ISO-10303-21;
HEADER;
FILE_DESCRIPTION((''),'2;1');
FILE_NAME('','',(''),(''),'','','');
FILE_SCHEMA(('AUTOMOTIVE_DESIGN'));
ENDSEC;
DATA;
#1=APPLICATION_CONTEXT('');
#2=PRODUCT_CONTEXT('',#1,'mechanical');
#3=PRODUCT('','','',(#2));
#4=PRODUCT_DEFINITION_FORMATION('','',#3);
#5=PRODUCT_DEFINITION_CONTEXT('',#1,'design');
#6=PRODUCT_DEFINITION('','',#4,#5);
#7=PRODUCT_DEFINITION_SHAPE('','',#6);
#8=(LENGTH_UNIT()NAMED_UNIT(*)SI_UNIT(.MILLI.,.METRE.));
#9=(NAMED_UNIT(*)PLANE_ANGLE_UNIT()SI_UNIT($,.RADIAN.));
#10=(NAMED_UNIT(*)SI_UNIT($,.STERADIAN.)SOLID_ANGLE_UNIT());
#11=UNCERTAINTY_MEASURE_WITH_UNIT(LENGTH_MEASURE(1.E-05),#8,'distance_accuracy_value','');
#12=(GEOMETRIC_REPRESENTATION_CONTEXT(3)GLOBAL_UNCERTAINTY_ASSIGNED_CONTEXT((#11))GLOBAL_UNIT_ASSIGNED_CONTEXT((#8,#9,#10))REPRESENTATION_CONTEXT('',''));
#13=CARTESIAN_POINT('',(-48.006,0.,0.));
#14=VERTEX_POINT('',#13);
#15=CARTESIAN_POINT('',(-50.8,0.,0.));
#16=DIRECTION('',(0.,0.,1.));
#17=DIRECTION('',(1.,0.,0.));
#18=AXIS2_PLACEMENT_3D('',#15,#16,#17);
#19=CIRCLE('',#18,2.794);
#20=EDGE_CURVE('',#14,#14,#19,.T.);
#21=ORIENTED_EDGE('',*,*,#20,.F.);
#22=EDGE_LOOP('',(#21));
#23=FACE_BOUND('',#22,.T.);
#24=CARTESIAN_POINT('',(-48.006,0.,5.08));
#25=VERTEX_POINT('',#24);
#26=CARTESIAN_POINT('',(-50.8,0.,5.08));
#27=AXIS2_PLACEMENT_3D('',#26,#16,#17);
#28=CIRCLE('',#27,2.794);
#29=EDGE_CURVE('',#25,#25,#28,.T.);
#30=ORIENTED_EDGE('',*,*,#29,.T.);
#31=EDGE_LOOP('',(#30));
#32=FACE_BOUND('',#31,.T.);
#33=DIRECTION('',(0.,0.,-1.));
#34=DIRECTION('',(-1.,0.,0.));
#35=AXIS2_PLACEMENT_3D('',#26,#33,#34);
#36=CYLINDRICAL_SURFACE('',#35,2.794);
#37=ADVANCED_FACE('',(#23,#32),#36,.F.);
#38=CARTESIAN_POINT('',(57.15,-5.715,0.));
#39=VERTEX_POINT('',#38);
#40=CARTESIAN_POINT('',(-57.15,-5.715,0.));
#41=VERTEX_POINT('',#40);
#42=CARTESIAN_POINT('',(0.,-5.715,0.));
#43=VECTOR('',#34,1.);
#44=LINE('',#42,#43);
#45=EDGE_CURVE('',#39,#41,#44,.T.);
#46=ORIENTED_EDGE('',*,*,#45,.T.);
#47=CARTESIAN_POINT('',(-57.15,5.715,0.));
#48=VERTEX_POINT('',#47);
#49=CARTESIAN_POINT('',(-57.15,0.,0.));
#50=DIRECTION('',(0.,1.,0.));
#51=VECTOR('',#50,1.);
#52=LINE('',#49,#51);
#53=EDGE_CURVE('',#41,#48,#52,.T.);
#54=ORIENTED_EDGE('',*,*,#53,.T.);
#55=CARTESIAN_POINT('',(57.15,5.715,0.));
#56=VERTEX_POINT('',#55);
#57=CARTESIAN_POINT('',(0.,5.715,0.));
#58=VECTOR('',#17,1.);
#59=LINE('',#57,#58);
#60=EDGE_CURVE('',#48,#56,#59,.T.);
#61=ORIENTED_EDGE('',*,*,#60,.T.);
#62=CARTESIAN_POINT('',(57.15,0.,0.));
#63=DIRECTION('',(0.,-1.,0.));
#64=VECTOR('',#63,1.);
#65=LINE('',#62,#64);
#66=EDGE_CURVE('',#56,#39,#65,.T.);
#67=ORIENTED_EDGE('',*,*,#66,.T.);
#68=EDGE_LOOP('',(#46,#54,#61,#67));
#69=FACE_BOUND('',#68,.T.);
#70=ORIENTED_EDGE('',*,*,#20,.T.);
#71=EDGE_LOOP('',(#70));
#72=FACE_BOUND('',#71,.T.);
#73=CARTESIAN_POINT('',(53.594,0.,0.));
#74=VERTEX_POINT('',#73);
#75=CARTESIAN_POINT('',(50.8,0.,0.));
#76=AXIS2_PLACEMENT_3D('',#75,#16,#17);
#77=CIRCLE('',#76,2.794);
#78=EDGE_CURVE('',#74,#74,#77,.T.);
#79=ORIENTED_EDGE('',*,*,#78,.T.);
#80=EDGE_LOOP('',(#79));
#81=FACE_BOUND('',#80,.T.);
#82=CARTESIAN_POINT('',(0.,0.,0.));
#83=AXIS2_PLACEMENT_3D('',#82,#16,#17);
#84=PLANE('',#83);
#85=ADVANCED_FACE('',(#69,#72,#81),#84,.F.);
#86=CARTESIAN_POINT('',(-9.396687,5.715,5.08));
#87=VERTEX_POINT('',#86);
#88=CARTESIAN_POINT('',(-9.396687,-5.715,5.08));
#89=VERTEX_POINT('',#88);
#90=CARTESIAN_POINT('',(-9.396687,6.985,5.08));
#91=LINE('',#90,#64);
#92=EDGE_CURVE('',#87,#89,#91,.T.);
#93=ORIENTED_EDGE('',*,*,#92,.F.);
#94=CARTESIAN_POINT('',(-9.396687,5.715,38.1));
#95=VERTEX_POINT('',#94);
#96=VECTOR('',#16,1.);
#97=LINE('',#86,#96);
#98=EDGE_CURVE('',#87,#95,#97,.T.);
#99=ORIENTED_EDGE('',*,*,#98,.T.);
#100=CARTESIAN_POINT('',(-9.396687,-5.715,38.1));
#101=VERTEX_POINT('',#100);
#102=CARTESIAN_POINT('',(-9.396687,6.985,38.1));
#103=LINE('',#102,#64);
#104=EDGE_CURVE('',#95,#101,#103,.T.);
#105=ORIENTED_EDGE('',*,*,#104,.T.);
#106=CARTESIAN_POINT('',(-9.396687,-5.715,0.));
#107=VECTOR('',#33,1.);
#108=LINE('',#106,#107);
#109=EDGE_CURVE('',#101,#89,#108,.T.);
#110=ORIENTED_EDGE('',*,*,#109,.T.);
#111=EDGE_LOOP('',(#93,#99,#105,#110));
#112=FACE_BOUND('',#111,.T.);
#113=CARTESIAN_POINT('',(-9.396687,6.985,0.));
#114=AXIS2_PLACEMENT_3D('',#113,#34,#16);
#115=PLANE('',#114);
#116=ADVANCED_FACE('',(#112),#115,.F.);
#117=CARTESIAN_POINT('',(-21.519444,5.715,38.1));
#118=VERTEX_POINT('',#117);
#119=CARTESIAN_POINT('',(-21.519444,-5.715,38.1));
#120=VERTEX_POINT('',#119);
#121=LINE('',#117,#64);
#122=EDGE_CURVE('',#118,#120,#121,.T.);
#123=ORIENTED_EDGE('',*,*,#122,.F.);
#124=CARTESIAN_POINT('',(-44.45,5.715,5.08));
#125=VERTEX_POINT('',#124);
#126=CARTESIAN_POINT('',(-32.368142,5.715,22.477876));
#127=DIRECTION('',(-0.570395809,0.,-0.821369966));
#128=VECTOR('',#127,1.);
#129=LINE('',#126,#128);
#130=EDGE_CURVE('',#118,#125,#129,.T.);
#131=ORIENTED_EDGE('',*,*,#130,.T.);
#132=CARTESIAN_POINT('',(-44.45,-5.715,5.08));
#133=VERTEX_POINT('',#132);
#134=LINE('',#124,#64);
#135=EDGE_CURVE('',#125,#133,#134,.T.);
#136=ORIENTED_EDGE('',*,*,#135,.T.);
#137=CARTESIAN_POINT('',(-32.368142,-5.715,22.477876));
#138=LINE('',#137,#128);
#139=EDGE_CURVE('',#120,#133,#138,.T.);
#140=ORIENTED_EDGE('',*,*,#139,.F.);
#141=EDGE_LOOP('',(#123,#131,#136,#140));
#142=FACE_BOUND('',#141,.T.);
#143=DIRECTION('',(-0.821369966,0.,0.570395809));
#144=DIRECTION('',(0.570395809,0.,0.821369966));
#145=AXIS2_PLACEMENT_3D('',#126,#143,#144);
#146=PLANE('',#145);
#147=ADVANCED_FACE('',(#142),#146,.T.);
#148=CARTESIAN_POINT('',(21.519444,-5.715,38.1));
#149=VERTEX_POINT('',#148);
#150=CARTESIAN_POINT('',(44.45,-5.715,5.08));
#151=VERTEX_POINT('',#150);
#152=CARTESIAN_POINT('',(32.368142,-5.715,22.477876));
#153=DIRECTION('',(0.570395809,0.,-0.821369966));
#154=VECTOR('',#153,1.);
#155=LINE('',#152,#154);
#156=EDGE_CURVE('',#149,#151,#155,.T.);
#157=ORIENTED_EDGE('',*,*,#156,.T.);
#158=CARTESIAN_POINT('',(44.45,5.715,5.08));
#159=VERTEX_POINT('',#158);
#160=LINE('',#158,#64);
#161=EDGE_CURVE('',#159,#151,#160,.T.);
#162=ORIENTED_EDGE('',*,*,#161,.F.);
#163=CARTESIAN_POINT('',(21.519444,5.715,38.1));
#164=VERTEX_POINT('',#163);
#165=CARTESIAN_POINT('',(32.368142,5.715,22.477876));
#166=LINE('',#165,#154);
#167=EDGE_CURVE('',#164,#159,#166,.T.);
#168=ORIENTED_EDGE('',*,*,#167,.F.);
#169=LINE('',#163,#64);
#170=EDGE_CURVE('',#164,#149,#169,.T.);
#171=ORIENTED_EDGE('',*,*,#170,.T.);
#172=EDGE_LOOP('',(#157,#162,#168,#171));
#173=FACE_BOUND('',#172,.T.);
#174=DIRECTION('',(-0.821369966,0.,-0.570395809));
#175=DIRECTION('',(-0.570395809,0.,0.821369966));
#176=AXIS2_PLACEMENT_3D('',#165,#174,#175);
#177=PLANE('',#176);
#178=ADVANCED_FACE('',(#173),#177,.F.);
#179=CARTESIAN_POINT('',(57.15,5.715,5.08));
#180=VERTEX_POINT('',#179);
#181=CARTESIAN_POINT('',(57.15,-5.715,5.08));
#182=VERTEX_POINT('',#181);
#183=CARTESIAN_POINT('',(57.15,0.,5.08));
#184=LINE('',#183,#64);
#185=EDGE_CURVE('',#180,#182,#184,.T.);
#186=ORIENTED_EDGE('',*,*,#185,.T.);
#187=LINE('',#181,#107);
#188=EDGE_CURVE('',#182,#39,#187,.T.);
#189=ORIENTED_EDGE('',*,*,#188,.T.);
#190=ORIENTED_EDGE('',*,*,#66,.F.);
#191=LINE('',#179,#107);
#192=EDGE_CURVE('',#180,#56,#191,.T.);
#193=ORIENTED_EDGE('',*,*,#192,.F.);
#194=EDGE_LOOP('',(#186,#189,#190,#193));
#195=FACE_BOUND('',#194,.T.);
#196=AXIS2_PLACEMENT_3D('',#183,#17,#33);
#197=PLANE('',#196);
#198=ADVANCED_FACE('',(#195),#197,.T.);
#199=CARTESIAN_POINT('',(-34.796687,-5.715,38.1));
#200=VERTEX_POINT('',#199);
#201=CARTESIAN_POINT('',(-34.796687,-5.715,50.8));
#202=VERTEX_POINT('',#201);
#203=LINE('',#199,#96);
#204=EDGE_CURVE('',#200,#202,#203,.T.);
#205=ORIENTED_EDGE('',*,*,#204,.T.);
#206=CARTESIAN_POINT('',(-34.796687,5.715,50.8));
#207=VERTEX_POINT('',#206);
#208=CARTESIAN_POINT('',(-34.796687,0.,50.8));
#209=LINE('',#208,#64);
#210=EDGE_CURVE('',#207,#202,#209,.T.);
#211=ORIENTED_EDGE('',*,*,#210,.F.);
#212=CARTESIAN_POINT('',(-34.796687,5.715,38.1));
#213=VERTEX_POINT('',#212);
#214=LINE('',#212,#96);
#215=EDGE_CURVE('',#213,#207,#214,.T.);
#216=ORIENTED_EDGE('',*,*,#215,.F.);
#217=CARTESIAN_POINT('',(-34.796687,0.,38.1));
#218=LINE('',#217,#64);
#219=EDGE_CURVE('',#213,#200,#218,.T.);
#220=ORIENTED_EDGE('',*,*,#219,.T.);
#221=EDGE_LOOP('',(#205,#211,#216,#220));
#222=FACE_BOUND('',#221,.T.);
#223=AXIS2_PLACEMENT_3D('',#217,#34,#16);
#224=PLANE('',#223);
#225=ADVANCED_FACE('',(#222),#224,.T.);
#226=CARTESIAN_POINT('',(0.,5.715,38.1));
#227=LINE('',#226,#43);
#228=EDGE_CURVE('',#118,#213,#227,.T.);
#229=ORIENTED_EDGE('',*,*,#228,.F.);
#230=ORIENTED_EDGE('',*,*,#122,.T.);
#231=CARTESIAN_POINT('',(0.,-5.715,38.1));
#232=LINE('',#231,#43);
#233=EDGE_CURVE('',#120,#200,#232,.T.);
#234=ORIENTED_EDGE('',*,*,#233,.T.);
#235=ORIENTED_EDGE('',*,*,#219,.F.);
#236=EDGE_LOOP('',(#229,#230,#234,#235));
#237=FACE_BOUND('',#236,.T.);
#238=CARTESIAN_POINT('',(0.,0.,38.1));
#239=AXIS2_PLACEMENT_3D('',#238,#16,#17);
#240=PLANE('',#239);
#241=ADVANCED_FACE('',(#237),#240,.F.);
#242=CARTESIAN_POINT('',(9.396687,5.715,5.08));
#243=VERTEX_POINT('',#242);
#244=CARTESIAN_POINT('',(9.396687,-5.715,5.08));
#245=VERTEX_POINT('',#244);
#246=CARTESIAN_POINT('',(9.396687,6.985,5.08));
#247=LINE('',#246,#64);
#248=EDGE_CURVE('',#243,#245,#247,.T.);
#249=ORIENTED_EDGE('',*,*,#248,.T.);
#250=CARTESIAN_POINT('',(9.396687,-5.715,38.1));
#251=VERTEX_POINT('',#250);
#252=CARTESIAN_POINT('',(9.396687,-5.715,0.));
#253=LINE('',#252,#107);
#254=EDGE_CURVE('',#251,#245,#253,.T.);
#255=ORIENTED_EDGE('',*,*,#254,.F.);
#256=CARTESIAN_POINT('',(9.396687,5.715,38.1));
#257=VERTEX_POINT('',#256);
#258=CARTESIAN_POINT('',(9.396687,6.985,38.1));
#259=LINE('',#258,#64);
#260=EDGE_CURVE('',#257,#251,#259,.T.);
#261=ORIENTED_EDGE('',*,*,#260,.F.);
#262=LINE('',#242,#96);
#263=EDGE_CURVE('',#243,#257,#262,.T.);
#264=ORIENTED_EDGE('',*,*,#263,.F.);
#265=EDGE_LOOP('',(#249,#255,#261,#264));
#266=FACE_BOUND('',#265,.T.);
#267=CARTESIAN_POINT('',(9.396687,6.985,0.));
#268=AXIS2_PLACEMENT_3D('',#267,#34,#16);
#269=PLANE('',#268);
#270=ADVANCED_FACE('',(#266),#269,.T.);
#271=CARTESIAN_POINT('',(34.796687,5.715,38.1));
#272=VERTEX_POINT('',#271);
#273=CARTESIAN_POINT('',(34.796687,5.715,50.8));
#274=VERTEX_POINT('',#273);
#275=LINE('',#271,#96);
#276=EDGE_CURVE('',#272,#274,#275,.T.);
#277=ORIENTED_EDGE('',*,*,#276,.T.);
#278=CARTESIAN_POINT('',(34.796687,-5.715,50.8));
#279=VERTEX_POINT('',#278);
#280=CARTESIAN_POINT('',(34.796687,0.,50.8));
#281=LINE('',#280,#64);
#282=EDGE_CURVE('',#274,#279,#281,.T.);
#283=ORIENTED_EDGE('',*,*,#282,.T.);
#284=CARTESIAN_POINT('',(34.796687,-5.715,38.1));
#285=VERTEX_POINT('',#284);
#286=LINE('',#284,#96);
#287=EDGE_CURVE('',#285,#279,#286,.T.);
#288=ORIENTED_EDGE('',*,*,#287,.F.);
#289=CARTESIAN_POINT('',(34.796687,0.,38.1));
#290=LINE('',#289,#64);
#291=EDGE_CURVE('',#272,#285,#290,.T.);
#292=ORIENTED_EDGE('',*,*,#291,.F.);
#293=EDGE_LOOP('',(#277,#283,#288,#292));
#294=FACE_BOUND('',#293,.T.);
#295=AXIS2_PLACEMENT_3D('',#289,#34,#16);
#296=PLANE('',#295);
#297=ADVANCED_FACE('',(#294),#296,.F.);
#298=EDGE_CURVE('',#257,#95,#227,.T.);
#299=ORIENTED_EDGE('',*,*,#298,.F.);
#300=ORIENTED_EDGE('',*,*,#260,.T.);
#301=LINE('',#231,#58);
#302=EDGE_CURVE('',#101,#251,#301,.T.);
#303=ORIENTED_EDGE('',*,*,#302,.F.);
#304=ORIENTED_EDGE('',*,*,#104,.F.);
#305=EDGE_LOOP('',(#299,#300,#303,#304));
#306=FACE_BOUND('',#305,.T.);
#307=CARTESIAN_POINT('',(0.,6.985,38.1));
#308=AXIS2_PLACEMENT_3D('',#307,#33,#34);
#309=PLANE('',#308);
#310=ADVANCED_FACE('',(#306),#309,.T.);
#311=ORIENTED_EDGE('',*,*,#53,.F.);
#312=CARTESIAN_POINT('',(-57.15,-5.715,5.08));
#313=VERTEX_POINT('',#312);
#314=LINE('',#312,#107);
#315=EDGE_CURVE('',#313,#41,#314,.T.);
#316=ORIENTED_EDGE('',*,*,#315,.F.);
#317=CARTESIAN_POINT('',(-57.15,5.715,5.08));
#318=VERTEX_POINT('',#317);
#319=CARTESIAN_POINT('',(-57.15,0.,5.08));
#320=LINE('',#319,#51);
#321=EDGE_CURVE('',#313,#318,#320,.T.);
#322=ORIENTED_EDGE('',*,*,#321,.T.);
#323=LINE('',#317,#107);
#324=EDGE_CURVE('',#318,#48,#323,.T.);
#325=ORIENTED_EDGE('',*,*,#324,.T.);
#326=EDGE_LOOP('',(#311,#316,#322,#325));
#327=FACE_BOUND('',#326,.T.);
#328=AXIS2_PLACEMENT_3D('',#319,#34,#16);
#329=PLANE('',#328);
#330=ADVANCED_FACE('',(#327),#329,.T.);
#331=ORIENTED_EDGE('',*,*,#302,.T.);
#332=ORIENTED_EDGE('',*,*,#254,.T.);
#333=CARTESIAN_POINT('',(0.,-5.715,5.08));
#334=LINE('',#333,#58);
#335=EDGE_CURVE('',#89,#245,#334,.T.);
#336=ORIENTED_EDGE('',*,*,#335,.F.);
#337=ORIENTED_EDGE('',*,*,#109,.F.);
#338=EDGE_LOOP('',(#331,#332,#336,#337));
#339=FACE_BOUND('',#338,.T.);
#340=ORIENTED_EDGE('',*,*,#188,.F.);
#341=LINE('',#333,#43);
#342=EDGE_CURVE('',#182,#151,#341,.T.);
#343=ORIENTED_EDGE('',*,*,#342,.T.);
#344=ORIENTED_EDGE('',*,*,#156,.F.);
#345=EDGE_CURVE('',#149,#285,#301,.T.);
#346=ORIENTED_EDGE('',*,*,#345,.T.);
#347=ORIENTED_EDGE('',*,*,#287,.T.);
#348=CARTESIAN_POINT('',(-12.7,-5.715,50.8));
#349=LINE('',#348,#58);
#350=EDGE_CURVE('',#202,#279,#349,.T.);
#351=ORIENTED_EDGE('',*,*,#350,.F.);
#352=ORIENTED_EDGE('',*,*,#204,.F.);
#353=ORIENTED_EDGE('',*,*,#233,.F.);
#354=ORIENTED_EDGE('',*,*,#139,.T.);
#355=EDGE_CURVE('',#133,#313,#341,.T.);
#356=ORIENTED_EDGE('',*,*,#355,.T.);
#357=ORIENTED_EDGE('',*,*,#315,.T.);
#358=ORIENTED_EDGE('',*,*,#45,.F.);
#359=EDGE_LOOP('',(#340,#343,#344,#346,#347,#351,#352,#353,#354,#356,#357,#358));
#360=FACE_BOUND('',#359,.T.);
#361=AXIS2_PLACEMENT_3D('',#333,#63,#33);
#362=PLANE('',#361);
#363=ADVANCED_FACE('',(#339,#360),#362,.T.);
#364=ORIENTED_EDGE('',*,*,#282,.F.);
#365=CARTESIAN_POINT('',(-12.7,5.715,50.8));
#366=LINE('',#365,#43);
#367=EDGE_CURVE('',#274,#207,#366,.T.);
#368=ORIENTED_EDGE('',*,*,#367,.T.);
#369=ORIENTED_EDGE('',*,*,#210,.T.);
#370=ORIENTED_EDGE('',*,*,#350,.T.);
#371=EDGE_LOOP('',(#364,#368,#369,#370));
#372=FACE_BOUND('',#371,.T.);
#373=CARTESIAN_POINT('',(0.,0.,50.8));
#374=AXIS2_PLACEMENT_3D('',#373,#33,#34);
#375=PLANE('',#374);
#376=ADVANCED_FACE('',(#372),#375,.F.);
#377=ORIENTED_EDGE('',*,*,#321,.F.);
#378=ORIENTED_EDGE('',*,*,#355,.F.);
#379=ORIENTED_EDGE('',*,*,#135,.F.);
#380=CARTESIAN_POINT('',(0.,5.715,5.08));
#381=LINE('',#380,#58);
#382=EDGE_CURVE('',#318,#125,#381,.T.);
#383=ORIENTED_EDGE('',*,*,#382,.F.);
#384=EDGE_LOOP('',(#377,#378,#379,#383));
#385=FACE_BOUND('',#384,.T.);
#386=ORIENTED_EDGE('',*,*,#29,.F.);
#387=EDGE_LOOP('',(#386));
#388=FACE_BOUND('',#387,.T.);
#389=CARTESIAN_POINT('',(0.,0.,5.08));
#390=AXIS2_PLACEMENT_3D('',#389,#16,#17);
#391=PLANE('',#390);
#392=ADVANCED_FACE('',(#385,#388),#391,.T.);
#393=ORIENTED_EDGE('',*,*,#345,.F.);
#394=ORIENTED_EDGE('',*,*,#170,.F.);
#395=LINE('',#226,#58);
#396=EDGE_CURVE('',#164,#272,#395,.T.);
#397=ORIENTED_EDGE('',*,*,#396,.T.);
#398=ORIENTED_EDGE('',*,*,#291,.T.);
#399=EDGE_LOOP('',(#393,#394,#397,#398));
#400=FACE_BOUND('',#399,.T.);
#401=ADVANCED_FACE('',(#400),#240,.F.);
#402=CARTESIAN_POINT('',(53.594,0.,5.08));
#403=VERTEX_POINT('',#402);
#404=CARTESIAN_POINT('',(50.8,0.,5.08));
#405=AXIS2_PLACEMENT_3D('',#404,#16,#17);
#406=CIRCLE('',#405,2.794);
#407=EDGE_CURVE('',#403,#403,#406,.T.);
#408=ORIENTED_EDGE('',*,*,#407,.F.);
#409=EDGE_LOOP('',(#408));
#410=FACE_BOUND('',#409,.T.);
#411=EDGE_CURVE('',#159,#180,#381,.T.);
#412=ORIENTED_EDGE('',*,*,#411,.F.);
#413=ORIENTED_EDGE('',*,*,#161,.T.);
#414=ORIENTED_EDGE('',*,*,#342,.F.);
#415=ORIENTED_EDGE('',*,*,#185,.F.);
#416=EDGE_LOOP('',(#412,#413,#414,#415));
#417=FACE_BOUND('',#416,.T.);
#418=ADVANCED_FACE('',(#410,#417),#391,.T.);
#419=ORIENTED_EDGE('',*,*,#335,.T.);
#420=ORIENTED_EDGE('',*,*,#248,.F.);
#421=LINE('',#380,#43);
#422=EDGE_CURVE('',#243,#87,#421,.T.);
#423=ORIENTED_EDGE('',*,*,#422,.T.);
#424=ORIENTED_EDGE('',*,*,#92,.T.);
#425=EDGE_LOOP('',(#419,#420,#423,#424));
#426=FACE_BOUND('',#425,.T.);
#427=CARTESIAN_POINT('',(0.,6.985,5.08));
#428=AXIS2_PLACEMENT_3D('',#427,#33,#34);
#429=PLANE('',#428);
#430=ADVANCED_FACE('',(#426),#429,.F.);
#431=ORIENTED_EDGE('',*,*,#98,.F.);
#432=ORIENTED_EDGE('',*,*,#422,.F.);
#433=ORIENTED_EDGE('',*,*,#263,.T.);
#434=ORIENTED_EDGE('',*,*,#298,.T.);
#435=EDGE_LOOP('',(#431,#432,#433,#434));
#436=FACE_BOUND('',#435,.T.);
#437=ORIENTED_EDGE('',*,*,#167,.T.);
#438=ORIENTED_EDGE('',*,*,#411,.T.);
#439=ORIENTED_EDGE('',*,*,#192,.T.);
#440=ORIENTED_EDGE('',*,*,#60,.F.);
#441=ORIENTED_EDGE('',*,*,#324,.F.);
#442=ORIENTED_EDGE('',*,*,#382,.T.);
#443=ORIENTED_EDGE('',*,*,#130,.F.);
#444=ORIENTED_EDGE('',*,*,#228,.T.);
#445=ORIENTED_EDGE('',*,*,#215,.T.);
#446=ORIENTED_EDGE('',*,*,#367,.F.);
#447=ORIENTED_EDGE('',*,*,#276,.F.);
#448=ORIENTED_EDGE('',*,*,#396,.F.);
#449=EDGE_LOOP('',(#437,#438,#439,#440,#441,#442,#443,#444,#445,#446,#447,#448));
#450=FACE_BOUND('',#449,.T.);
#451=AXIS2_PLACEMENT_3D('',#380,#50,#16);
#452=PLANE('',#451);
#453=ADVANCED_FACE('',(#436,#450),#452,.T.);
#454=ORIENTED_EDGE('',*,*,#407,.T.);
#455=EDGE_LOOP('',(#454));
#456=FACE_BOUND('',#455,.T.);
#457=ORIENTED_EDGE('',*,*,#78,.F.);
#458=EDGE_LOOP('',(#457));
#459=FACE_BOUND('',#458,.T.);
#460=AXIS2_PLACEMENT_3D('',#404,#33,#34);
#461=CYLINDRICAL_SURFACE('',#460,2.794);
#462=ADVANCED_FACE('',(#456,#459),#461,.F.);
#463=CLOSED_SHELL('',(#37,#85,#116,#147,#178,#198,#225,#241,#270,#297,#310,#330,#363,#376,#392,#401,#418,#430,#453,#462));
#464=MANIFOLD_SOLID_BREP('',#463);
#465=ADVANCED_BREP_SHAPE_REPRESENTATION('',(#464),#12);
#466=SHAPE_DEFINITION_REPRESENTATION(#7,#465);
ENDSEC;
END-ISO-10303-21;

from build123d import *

# Parameters (mm, degrees)
SKETCH1_R           = 2.794
BOSS_EXTRUDE1_DEPTH = 5.08
SKETCH3_W           = 25.4
SKETCH3_H           = 11.43
BOSS_EXTRUDE2_DEPTH = 45.72
SKETCH4_W           = 22.096687199
SKETCH4_H           = 11.43
BOSS_EXTRUDE3_DEPTH = 12.7
BOSS_EXTRUDE5_DEPTH = 11.43
SKETCH7_W           = 18.793374398
SKETCH7_H           = 33.02
CUT_EXTRUDE3_DEPTH  = 12.7


with BuildPart() as part:
    # Sketch1 → Boss-Extrude1 (new body)
    with BuildSketch(Plane.XY):
        Polygon((-57.15, 2.54), (-57.15, -2.54), (-57.15, -5.715), (57.15, -5.715), (57.15, -2.54), (57.15, 2.54), (57.15, 5.715), (-57.15, 5.715), align=None)
        with Locations((50.8, 0)):
            Circle(SKETCH1_R, mode=Mode.SUBTRACT)
        with Locations((-50.8, 0)):
            Circle(SKETCH1_R, mode=Mode.SUBTRACT)
    extrude(amount=BOSS_EXTRUDE1_DEPTH)

    # Sketch3 → Boss-Extrude2 (add)
    with BuildSketch(Plane.XY.offset(5.08)):
        Rectangle(SKETCH3_W, SKETCH3_H)
    extrude(amount=BOSS_EXTRUDE2_DEPTH)

    # Sketch4 → Boss-Extrude3 (add)
    with BuildSketch(Plane.XY.offset(50.8)):
        with Locations((23.7483436, 0)):
            Rectangle(SKETCH4_W, SKETCH4_H)
        with Locations((-23.7483436, 0)):
            Rectangle(SKETCH4_W, SKETCH4_H)
    extrude(amount=-BOSS_EXTRUDE3_DEPTH)

    # Sketch5 → Boss-Extrude5 (add)
    with BuildSketch(Plane.XZ.offset(5.715)):
        Polygon((-44.45, 5.08), (-12.7, 5.08), (-12.7, 38.1), (-21.519444444, 38.1), align=None)
        Polygon((12.7, 38.1), (12.7, 5.08), (44.45, 5.08), (21.519444444, 38.1), align=None)
    extrude(amount=-BOSS_EXTRUDE5_DEPTH)

    # Sketch7 → Cut-Extrude3 (cut)
    with BuildSketch(Plane.XZ.offset(5.715)):
        with Locations((0, 21.59)):
            Rectangle(SKETCH7_W, SKETCH7_H)
    extrude(amount=-CUT_EXTRUDE3_DEPTH, mode=Mode.SUBTRACT)


solid = part.part
